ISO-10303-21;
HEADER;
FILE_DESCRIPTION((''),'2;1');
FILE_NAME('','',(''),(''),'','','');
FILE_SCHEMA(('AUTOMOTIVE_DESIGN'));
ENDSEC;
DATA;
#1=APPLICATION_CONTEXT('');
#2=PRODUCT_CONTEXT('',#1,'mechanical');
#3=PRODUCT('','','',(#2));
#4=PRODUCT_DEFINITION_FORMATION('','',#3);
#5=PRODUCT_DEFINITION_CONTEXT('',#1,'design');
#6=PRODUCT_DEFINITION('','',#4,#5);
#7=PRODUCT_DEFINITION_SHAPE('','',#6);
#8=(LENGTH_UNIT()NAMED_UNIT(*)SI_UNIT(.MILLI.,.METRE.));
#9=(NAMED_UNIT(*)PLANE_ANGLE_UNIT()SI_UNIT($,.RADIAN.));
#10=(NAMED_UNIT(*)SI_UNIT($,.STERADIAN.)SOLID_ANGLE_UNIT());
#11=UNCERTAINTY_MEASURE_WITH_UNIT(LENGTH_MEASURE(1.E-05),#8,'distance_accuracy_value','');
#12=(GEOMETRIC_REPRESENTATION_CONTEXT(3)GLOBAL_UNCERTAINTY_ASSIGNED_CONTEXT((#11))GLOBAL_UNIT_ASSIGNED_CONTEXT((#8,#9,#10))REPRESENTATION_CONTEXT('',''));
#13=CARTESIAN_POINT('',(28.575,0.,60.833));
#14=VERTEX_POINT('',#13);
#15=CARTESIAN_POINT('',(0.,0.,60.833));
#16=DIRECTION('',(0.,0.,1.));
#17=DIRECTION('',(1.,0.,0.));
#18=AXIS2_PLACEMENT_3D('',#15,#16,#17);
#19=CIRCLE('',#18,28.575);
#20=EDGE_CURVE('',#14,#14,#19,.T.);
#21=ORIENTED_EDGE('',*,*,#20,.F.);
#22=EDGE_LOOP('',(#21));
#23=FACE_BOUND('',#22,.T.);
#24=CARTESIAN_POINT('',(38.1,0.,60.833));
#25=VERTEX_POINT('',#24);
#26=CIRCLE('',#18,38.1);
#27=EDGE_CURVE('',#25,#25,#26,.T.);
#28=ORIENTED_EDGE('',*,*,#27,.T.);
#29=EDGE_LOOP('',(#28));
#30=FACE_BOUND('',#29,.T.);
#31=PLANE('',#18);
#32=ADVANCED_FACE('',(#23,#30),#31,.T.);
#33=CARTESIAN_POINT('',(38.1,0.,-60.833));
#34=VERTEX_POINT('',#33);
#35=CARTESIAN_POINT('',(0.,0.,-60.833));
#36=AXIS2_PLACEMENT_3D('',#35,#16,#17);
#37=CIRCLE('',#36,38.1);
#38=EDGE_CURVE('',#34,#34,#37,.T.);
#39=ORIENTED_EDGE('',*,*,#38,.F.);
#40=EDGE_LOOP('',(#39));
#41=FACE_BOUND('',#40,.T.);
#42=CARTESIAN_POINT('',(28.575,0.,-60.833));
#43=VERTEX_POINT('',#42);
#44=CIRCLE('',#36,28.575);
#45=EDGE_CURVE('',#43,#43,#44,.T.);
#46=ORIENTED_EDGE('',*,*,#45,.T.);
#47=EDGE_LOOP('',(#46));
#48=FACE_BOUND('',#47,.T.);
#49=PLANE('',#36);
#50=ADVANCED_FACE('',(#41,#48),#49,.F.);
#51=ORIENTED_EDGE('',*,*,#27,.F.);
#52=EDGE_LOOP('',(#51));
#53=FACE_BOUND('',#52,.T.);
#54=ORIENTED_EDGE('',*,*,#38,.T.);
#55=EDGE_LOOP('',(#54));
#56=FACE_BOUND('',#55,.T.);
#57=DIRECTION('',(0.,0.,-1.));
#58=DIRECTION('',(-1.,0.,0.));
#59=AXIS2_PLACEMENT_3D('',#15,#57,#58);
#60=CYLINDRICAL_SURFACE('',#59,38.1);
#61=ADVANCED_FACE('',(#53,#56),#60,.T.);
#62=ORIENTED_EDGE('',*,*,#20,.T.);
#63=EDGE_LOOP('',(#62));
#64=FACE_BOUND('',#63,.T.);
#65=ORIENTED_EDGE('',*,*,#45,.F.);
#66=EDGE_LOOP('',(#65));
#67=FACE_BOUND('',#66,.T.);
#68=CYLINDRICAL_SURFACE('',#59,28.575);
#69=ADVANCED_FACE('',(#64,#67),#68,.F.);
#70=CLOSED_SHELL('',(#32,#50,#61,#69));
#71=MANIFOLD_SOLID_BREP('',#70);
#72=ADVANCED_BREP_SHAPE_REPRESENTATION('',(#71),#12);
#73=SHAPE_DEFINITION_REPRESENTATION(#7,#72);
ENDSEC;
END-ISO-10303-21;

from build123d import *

# Parameters (mm, degrees)
SKETCH3_R           = 38.1
SKETCH3_R_2         = 28.575
BOSS_EXTRUDE1_DEPTH = 60.833


with BuildPart() as part:
    # Sketch3 → Boss-Extrude1 (new, symmetric)
    with BuildSketch(Plane.XY):
        Circle(SKETCH3_R)
        Circle(SKETCH3_R_2, mode=Mode.SUBTRACT)
    extrude(amount=BOSS_EXTRUDE1_DEPTH, both=True)


solid = part.part
